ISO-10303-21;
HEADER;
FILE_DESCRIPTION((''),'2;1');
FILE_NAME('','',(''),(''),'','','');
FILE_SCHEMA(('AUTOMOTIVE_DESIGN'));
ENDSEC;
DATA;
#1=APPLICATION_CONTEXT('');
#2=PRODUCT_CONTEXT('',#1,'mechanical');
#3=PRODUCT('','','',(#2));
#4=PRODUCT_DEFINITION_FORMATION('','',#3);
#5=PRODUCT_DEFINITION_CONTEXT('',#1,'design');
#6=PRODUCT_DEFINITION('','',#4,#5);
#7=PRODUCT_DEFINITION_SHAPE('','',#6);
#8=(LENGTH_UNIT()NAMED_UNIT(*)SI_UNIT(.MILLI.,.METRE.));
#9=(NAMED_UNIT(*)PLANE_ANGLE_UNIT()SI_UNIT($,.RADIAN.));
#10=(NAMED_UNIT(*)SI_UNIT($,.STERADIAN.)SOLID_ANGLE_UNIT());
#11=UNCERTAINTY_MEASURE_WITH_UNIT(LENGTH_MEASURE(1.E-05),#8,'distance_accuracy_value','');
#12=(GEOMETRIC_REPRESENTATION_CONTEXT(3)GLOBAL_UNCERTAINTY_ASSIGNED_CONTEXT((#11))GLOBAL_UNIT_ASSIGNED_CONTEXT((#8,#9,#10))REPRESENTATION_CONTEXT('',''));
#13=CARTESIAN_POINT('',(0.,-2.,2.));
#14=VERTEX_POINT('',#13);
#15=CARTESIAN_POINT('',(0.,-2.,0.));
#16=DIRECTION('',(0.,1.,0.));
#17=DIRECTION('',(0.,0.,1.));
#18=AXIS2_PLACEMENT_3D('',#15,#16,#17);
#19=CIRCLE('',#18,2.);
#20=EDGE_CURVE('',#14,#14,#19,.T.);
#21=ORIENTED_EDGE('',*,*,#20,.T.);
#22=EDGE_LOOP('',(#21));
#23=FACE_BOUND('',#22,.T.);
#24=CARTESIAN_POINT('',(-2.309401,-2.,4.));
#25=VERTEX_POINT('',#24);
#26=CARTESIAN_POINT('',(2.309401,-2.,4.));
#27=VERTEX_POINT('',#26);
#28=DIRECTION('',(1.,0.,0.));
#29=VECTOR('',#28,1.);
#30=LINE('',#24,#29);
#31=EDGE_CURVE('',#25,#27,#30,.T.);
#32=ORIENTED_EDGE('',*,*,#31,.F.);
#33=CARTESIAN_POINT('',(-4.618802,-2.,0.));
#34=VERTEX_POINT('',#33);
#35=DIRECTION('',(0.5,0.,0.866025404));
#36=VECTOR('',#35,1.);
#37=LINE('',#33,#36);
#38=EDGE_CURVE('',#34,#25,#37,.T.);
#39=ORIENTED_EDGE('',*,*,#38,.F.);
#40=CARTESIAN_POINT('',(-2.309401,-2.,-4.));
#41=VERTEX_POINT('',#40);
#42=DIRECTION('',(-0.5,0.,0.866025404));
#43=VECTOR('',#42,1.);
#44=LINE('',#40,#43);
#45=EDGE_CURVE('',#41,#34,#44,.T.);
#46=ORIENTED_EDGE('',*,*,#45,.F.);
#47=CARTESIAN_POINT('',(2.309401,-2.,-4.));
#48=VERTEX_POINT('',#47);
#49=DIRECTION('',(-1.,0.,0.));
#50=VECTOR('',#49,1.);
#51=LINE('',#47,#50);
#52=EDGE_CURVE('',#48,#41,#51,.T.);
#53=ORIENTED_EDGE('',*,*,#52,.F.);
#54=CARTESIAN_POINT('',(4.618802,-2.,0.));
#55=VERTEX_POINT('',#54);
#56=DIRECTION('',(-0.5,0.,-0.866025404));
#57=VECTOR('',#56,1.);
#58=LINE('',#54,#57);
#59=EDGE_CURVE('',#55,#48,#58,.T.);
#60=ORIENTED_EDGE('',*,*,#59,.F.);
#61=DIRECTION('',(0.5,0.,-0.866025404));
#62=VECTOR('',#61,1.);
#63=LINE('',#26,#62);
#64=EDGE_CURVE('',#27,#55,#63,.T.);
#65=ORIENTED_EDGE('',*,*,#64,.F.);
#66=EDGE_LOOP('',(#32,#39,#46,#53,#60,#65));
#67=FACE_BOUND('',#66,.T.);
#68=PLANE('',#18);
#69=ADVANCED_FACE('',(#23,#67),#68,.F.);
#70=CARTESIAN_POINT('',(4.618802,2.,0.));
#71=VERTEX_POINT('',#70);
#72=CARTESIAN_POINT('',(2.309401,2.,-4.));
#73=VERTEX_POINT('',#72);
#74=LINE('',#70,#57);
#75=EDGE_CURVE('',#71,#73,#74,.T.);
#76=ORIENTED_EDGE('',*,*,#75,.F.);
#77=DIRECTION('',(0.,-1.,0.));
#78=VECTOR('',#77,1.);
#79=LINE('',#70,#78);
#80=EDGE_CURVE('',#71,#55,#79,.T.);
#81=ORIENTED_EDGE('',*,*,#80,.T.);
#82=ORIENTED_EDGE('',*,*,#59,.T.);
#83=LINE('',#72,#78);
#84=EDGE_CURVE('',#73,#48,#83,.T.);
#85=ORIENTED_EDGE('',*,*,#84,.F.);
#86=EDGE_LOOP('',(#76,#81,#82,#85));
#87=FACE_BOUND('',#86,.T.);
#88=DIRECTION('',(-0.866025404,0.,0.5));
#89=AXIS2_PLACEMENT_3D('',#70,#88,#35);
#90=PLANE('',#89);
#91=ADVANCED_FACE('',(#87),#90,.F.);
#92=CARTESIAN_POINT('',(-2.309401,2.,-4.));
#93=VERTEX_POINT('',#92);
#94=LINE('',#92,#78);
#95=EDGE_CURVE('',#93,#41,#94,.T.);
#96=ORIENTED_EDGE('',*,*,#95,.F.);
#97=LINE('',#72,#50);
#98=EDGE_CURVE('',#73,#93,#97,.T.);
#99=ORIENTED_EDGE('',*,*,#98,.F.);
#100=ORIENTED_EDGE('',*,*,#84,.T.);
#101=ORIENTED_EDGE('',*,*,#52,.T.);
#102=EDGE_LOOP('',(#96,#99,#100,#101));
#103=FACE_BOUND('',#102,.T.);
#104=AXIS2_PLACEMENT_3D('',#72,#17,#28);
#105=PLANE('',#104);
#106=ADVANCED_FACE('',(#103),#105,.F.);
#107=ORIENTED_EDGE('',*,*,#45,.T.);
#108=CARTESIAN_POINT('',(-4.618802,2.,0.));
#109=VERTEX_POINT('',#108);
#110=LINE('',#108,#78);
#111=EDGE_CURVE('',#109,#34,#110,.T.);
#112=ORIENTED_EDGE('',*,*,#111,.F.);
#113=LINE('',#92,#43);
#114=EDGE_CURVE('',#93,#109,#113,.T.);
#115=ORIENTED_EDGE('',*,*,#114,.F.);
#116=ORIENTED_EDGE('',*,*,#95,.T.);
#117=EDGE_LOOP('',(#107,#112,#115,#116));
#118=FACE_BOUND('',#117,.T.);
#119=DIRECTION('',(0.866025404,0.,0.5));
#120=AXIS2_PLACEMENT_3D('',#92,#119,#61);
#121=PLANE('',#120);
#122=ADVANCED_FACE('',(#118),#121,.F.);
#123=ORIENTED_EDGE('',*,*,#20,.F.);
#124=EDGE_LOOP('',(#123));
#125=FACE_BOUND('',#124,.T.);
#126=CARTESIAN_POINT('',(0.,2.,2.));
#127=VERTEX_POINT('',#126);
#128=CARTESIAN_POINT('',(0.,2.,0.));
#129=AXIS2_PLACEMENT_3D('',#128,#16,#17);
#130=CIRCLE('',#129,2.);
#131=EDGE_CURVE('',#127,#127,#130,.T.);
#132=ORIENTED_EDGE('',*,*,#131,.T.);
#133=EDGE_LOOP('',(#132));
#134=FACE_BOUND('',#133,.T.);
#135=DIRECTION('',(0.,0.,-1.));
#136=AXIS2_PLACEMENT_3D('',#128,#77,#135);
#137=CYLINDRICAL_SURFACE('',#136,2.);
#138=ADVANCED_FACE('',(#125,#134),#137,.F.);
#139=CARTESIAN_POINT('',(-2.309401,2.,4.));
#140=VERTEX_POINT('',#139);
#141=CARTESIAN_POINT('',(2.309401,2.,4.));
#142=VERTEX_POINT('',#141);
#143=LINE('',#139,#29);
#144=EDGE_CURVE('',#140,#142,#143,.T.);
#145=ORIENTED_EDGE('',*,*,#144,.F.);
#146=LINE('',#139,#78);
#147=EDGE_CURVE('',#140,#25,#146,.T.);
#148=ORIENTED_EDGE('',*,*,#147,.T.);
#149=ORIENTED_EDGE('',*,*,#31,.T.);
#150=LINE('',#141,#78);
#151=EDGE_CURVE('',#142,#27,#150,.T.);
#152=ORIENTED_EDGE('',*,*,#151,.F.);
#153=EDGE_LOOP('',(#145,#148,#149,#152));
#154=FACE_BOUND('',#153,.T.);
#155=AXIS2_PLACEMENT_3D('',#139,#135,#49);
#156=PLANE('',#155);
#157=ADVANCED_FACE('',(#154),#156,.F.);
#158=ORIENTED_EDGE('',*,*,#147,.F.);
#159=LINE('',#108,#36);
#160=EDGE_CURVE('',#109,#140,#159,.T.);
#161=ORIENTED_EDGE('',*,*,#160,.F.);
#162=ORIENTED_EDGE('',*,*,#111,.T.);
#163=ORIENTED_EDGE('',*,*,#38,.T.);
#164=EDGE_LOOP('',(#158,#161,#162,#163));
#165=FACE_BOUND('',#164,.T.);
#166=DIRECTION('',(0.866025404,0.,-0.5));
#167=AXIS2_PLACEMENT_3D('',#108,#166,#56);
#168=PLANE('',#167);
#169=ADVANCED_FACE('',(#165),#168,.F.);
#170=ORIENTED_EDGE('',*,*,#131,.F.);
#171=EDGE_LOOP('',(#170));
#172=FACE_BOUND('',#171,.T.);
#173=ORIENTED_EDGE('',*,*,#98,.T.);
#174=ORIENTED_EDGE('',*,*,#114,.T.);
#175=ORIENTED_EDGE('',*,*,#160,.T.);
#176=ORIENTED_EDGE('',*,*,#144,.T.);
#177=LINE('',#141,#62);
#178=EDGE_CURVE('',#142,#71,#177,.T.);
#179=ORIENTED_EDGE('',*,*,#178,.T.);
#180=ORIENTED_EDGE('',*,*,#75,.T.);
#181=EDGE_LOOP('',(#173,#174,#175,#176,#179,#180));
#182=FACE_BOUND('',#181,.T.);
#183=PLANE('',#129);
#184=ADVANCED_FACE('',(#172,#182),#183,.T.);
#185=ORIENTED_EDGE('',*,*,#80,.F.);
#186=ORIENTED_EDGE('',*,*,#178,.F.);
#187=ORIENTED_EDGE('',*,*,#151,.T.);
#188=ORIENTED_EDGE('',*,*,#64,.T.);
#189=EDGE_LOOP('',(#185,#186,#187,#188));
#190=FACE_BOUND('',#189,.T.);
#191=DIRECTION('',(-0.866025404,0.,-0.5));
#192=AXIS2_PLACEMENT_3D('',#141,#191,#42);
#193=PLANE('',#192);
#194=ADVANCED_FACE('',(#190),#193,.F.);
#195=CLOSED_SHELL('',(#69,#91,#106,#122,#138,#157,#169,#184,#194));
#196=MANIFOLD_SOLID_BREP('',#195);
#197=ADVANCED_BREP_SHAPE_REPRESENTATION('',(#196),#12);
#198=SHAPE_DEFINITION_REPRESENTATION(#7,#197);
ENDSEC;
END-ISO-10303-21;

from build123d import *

# Parameters (mm, degrees)
SKETCH1_R           = 2
BOSS_EXTRUDE1_DEPTH = 2


with BuildPart() as part:
    # Sketch1 → Boss-Extrude1 (new body, symmetric)
    with BuildSketch(Plane(origin=(0, 0, 0), x_dir=(1, 0, 0), z_dir=(0, 1, 0))):
        Polygon((2.309401077, 4), (-2.309401077, 4), (-4.618802154, 0), (-2.309401077, -4), (2.309401077, -4), (4.618802154, 0), align=None)
        Circle(SKETCH1_R, mode=Mode.SUBTRACT)
    extrude(amount=BOSS_EXTRUDE1_DEPTH, both=True)


solid = part.part
